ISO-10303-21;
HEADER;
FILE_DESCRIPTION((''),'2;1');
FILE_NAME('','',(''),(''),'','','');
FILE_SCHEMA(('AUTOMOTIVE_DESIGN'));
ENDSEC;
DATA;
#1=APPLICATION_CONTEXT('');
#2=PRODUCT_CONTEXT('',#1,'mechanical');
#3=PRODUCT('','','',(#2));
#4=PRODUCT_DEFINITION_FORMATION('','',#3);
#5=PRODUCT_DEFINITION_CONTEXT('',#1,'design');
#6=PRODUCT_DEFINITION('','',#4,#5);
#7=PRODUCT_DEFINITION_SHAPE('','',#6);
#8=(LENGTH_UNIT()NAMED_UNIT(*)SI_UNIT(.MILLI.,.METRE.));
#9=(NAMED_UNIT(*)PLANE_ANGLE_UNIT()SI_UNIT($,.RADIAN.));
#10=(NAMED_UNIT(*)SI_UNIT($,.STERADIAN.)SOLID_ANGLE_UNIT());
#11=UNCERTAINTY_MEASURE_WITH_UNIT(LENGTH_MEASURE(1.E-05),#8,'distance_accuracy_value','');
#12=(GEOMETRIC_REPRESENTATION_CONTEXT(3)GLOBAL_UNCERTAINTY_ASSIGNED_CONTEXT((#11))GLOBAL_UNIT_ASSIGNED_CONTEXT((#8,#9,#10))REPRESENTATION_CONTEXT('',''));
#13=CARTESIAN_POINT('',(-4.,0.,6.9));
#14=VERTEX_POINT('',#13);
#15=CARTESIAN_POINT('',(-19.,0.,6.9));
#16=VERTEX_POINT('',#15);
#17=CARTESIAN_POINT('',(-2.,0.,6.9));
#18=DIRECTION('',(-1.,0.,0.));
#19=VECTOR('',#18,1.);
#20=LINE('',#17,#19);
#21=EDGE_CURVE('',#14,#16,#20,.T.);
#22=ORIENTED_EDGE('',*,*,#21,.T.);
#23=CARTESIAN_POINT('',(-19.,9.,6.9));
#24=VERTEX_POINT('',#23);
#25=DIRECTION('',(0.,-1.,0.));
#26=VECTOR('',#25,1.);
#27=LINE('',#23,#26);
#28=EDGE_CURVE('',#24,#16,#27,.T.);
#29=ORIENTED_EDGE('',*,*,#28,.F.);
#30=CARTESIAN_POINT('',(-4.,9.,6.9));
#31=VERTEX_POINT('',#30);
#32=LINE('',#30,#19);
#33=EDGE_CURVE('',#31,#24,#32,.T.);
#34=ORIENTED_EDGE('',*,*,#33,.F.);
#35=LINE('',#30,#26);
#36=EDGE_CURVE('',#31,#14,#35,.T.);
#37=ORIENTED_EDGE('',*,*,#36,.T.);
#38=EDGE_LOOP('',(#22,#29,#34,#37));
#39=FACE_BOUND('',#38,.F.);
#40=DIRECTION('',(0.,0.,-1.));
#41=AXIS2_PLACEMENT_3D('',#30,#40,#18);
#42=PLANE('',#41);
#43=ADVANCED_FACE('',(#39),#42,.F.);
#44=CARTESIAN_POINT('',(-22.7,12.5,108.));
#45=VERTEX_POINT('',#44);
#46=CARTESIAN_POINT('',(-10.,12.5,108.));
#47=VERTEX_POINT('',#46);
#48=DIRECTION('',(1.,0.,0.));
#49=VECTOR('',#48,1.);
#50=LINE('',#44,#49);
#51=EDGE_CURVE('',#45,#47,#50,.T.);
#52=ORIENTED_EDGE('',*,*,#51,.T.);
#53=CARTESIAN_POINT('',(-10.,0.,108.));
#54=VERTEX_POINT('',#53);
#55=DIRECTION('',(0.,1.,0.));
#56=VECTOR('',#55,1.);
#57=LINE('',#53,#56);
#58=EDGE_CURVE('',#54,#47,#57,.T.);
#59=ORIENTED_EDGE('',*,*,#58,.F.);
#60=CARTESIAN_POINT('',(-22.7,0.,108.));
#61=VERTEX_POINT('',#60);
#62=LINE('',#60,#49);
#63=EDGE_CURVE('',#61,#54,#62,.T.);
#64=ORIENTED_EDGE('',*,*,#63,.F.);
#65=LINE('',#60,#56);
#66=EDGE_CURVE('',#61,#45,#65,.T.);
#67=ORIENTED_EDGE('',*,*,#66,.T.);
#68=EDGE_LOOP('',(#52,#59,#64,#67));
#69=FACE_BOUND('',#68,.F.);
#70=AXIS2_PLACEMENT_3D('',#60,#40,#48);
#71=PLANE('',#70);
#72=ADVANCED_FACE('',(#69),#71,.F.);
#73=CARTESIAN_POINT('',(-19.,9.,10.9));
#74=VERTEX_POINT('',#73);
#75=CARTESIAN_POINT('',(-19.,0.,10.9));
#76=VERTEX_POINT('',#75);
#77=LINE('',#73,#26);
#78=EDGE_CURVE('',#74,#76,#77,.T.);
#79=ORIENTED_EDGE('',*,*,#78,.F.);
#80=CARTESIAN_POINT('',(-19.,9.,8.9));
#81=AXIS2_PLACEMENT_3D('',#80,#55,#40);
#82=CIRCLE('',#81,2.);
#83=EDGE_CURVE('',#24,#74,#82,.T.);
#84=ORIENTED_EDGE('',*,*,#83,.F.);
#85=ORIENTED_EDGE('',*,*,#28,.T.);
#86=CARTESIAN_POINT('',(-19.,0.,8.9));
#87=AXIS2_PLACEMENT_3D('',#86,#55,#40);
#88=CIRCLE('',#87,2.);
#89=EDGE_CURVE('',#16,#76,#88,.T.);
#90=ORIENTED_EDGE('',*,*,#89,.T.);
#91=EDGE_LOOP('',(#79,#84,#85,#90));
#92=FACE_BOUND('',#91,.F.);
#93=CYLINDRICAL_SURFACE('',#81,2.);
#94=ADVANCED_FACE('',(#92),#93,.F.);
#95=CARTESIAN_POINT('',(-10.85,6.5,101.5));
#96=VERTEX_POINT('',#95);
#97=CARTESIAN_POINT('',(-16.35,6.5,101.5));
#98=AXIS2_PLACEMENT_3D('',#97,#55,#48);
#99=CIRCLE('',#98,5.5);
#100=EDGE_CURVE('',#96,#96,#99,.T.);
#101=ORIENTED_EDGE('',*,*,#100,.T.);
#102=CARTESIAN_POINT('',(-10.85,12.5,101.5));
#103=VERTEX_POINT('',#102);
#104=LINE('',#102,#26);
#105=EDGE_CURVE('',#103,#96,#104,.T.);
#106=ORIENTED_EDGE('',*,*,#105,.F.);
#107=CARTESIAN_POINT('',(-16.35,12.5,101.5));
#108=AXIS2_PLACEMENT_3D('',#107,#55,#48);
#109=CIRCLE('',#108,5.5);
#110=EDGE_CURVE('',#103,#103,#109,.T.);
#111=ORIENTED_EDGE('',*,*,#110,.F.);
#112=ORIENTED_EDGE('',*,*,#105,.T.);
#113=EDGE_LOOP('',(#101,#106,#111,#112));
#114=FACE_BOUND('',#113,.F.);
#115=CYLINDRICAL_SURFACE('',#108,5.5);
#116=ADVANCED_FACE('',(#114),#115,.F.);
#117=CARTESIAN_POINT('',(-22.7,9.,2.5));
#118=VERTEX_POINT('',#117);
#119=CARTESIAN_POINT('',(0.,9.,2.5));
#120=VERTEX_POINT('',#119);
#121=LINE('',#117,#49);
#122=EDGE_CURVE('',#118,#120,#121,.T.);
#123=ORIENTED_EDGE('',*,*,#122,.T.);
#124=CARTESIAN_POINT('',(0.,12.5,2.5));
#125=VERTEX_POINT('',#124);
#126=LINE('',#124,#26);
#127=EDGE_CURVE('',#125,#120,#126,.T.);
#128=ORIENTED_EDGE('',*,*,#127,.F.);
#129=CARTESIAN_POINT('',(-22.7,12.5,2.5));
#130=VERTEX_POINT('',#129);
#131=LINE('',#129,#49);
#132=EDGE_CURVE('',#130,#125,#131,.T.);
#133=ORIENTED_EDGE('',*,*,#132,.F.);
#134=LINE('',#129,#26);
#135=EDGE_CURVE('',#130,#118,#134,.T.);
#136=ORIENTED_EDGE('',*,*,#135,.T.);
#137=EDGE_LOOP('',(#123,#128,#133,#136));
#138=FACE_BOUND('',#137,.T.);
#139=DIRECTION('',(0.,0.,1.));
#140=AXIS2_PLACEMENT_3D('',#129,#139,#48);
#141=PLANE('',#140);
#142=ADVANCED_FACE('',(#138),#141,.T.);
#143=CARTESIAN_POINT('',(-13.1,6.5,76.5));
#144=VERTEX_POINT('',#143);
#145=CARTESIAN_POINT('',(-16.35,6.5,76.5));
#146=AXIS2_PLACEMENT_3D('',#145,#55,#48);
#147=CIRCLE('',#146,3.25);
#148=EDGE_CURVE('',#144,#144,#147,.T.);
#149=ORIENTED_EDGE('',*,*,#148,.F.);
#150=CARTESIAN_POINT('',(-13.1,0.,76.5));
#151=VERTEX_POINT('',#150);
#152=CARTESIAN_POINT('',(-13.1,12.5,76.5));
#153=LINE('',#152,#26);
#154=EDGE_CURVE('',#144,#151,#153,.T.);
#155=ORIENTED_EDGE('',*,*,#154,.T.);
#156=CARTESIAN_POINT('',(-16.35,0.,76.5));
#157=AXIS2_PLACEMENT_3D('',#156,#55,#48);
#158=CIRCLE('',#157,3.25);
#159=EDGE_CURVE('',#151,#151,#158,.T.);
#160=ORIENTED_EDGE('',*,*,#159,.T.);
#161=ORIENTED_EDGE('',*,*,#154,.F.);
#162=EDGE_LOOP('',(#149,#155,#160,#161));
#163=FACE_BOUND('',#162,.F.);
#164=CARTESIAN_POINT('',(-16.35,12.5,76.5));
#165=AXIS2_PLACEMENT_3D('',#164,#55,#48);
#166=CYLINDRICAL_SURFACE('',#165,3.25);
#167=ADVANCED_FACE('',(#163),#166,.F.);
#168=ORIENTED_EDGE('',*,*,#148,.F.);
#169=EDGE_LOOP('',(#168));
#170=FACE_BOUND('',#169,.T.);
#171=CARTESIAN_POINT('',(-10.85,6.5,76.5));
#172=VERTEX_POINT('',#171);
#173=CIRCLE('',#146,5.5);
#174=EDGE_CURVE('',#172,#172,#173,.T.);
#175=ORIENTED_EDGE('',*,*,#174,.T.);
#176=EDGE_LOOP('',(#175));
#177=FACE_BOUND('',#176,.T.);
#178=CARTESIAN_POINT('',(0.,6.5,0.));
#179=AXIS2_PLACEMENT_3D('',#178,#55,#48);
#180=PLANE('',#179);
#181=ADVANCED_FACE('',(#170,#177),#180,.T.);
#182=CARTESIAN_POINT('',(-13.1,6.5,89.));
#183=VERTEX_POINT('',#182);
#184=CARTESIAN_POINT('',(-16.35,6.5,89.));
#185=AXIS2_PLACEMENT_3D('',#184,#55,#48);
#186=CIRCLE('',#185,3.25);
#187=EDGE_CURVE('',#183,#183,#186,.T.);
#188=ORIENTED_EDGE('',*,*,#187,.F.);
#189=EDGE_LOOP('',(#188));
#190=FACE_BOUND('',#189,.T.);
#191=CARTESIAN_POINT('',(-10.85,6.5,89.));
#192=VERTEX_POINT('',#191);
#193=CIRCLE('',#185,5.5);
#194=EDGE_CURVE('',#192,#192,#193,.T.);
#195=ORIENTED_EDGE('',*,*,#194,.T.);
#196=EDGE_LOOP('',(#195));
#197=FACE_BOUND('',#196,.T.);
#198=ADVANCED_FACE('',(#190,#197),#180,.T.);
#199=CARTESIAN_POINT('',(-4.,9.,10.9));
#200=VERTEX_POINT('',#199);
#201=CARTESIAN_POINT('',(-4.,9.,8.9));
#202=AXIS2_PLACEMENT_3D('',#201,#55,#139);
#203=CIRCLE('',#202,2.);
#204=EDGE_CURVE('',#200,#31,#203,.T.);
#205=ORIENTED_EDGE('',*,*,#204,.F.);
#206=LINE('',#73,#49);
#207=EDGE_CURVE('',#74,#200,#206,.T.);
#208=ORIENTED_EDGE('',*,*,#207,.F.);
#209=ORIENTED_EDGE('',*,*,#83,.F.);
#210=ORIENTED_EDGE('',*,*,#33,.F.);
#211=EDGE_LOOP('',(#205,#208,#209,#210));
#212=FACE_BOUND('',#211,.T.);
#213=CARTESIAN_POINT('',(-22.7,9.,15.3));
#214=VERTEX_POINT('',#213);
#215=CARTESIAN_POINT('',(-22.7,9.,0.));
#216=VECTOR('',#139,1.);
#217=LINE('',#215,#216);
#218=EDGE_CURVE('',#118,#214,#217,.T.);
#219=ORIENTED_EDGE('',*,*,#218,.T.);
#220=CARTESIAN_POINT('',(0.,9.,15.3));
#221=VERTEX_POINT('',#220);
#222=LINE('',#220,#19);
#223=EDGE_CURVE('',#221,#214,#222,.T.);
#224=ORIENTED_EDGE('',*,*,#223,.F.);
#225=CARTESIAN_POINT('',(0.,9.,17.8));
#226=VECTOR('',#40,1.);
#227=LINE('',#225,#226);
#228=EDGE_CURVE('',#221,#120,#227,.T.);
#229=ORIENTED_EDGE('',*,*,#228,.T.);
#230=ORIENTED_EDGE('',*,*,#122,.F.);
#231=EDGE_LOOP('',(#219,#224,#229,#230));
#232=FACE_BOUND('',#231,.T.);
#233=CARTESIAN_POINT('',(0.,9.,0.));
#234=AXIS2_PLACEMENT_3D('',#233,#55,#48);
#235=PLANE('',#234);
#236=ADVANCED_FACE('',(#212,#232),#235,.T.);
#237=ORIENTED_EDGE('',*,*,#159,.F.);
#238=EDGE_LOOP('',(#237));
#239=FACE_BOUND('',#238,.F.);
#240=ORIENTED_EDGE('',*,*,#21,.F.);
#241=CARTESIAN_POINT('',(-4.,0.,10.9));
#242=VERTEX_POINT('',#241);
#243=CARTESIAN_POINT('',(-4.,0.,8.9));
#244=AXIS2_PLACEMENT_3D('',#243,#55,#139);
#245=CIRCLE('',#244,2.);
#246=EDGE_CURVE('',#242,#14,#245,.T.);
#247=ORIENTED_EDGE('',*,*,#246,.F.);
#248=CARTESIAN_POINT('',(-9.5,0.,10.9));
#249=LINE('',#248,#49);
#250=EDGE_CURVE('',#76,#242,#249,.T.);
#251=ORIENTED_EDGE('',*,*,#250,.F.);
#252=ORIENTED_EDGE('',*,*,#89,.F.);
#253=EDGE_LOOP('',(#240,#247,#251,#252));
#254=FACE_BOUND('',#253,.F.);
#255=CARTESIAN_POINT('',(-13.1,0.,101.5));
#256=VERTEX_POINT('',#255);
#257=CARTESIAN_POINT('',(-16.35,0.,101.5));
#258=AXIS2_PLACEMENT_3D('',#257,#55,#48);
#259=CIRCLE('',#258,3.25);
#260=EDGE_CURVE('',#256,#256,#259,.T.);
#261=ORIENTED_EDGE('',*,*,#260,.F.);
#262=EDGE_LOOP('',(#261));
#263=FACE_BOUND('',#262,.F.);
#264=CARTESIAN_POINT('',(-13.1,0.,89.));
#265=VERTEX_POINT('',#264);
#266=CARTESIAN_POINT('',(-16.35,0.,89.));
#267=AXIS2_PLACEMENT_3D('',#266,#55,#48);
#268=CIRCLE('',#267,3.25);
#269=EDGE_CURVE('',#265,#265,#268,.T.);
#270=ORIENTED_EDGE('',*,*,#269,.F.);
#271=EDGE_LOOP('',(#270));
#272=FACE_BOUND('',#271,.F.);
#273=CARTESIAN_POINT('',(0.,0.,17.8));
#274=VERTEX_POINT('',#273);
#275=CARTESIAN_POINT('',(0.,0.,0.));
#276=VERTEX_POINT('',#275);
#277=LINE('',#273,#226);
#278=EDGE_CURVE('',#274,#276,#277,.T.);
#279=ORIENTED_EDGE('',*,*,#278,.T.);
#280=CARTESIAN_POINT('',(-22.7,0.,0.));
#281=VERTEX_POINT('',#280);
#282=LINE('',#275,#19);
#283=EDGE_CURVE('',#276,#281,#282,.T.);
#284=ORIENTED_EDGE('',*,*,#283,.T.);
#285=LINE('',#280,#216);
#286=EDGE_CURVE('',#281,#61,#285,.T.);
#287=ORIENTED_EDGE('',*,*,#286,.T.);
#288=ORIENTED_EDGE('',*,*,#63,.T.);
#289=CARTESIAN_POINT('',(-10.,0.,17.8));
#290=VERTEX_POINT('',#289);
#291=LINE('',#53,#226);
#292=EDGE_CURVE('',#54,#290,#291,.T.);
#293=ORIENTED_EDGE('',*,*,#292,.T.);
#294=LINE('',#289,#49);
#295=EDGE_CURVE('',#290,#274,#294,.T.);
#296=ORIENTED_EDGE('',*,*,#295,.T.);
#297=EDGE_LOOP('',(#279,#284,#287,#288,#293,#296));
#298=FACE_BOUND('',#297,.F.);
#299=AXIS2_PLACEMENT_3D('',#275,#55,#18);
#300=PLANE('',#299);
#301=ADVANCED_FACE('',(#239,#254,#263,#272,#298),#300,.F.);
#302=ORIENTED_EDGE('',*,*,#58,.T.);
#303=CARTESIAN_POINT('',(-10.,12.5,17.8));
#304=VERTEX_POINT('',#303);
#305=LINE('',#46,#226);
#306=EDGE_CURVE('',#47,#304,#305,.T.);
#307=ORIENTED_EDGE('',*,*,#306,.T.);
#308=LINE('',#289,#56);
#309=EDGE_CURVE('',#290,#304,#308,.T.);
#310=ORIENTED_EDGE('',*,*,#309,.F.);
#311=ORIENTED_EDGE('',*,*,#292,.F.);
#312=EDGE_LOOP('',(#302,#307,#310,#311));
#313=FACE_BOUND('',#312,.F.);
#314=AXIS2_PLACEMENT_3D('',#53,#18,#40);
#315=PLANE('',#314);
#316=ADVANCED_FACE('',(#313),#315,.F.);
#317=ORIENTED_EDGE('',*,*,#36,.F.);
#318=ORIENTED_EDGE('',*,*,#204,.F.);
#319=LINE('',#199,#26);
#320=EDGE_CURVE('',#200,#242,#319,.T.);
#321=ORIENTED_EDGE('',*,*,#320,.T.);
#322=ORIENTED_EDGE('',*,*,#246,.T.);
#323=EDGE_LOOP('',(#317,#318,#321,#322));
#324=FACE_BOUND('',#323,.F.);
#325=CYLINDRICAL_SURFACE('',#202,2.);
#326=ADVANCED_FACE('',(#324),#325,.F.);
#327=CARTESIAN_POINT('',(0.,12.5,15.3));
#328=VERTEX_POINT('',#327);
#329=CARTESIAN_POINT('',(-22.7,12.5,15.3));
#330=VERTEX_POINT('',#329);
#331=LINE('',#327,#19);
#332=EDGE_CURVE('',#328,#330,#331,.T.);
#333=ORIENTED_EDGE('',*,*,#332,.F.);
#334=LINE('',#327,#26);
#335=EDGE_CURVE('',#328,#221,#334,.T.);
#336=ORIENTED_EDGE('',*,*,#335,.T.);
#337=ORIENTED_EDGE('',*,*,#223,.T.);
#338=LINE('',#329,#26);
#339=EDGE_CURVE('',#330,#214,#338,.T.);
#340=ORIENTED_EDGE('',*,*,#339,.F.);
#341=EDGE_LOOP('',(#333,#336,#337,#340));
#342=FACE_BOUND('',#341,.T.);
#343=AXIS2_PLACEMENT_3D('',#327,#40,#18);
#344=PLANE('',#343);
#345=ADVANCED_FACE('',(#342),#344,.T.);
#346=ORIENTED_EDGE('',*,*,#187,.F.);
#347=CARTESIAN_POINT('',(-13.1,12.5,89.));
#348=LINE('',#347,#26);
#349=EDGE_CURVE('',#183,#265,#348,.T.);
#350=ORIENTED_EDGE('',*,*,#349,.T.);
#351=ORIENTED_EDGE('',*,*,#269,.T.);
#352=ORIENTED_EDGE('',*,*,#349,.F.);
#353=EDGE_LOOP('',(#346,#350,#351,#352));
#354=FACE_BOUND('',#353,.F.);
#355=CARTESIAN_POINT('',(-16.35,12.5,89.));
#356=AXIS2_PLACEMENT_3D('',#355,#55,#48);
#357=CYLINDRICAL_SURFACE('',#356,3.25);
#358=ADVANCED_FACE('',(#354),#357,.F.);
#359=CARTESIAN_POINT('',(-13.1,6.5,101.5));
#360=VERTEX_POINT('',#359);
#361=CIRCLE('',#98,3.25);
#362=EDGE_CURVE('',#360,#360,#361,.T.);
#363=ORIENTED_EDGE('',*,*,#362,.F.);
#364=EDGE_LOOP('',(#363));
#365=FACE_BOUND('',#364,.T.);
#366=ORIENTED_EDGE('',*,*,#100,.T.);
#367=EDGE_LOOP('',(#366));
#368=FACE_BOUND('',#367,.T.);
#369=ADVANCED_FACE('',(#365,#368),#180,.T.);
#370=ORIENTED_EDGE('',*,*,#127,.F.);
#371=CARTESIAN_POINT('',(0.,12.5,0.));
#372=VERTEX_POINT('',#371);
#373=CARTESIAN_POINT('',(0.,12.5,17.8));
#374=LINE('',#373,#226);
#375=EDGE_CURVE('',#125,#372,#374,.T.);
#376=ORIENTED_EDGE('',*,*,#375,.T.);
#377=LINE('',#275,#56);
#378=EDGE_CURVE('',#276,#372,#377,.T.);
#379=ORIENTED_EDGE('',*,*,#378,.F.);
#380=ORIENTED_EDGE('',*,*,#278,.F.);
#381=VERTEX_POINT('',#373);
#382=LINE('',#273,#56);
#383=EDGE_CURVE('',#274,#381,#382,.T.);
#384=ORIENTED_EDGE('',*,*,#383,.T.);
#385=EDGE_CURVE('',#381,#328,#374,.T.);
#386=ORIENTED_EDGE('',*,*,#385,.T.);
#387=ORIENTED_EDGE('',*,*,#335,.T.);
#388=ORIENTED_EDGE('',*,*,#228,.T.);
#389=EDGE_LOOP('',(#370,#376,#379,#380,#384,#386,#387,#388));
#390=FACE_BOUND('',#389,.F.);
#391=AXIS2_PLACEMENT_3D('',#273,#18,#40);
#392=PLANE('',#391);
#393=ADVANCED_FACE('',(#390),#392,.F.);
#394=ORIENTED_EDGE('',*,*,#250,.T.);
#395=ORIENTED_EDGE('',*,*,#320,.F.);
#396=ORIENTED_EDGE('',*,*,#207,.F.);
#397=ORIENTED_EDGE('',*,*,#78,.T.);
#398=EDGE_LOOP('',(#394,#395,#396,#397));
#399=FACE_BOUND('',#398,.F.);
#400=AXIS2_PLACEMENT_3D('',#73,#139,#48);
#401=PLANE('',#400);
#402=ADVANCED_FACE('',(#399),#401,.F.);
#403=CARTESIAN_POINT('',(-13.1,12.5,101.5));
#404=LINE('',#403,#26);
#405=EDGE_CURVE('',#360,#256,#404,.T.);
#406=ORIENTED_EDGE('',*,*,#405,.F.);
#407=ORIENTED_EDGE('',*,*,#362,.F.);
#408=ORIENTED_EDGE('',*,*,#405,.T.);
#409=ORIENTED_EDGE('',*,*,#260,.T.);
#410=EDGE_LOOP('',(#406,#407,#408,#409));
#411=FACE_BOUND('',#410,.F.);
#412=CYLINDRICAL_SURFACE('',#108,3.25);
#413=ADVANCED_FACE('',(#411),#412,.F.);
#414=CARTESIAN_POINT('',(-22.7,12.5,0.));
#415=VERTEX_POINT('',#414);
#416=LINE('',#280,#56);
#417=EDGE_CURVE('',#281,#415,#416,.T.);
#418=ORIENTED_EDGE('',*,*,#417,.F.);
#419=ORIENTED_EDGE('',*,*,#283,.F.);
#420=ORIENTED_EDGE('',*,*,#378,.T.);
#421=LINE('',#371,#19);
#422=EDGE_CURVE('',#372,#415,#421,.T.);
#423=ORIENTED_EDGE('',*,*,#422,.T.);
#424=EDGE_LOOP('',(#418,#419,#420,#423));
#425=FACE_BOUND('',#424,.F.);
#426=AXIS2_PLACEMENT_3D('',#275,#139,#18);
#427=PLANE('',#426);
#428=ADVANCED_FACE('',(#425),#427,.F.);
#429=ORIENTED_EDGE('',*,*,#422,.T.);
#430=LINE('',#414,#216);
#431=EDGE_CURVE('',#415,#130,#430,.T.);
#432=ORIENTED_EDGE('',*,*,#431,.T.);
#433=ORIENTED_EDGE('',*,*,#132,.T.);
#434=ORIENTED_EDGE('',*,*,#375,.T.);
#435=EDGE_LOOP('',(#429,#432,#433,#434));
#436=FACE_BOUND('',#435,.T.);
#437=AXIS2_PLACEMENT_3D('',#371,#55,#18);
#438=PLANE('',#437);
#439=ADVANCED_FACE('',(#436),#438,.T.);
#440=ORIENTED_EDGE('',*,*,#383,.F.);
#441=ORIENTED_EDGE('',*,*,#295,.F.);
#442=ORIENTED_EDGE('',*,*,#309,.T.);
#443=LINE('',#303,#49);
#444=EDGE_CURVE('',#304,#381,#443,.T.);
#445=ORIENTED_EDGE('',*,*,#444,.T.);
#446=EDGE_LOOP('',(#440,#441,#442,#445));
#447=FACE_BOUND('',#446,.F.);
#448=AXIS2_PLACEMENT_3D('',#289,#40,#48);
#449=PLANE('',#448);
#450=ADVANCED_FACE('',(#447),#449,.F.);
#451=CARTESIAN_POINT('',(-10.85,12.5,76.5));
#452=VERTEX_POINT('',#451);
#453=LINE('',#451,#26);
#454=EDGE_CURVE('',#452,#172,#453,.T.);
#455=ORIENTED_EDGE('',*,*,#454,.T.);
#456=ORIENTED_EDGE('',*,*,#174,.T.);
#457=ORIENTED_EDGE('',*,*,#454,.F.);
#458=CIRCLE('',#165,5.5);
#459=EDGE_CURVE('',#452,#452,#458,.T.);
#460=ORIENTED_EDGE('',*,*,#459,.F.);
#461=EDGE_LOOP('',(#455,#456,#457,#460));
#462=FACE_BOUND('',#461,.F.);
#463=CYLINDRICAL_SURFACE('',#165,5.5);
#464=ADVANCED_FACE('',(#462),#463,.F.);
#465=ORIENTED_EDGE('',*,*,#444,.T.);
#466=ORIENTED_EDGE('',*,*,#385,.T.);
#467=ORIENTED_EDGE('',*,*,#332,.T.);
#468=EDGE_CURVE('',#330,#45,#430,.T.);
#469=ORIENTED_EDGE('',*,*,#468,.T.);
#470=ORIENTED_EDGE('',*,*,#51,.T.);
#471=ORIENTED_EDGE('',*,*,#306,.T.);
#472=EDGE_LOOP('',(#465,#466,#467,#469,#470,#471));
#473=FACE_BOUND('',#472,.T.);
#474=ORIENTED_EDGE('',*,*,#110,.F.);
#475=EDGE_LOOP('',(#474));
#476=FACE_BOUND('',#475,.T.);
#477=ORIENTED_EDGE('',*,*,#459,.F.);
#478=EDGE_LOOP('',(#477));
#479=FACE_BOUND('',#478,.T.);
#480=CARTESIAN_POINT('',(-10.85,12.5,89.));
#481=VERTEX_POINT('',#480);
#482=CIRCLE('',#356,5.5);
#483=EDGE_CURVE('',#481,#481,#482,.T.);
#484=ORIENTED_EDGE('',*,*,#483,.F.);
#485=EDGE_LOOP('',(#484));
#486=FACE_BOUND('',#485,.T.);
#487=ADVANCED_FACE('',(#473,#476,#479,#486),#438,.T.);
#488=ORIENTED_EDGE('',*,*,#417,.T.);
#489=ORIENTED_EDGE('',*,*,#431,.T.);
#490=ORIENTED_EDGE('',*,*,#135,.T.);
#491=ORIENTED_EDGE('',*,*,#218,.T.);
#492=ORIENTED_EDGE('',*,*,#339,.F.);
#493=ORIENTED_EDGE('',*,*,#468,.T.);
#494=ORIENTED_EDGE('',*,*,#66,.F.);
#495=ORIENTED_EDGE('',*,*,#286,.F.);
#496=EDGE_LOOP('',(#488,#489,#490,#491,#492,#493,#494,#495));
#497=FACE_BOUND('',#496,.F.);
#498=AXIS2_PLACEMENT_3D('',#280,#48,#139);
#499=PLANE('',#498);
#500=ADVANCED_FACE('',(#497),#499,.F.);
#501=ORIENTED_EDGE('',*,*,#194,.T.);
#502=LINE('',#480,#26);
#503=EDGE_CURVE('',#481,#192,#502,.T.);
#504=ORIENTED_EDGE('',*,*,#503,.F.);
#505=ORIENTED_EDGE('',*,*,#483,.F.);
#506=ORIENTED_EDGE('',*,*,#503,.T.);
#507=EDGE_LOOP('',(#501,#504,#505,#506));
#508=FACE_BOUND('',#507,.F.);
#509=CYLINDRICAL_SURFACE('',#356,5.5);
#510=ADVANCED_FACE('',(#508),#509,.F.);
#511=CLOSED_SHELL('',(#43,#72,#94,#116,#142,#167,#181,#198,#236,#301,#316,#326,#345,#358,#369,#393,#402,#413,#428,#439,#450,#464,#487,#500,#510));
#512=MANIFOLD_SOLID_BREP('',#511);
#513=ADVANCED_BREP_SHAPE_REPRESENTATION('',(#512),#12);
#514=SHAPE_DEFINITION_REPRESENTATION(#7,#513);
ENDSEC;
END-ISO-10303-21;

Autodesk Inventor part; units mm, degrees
ref_plane "YZ Plane" through (0, 0, 0) normal (1, 0, 0) x (0, 1, 0)
ref_plane "XZ Plane" through (0, 0, 0) normal (0, 1, 0) x (-1, 0, 0)
ref_plane "XY Plane" through (0, 0, 0) normal (0, 0, 1) x (1, 0, 0)
sketch "Sketch1" plane through (0, 0, 0) normal (0, 1, 0) x (-1, 0, 0)
  line L0 (0, 0) -> (22.7, 0)
  line L1 (22.7, 0) -> (22.7, 108)
  line L2 (22.7, 108) -> (10, 108)
  line L3 (10, 108) -> (10, 17.8)
  line L4 (10, 17.8) -> (0, 17.8)
  line L5 (0, 17.8) -> (0, 0)
  dimension "d0" = 22.7
  dimension "d1" = 108
  dimension "d2" = 12.7
  dimension "d3" = 90.2
extrude "Extrusion1" add sketch "Sketch1" along normal blind 12.5
sketch "Sketch2" plane through (0, 12.5, 0) normal (0, 1, 0) x (1, 0, 0)
  line L0 (0, -17.8) -> (0, 0) projected
  line L1 (-22.7, 0) -> (-22.7, -108) projected
  line L2 (-22.7, 0) -> (-22.7, -108) projected
  line L3 (0, -15.3) -> (-22.7, -15.3)
  line L4 (-22.7, -15.3) -> (-22.7, -2.5)
  line L5 (-22.7, -2.5) -> (0, -2.5)
  line L6 (0, -2.5) -> (0, -15.3)
  dimension "d6" = 12.8
extrude "Extrusion2" cut sketch "Sketch2" against normal blind 3.5
sketch "Sketch3" plane through (0, 9, 0) normal (0, 1, 0) x (1, 0, 0)
  line L0 (-30, -8.9) -> (0, -8.9) construction
  line L1 (0, -17.8) -> (0, 0) projected
  arc A0 (-4, -10.9) -> (-4, -6.9) centre (-4, -8.9) ccw
  arc A1 (-19, -6.9) -> (-19, -10.9) centre (-19, -8.9) ccw
  line L2 (-19, -10.9) -> (-4, -10.9)
  line L3 (-4, -6.9) -> (-19, -6.9)
  dimension "d9" = 4
  dimension "d10" = 4
  dimension "d26" = 15
  dimension "d27" = 4
extrude "Extrusion3" cut sketch "Sketch3" against normal through all
sketch "Sketch4" plane through (0, 12.5, 0) normal (0, 1, 0) x (1, 0, 0)
  line L0 (-22.7, -108) -> (-10, -108) projected
  line L1 (-16.35, -108) -> (-16.35, -15.5103) construction
  circle A0 centre (-16.35, -101.5) radius 5.5
  circle A1 centre (-16.35, -89) radius 5.5
  circle A2 centre (-16.35, -76.5) radius 5.5
  circle A3 centre (-16.35, -76.5) radius 3.25
  circle A4 centre (-16.35, -89) radius 3.25
  circle A5 centre (-16.35, -101.5) radius 3.25
  point P0 (0, 0)
  dimension "d13" = 11
  dimension "d14" = 11
  dimension "d15" = 11
  dimension "d16" = 12.5
  dimension "d17" = 12.5
  dimension "d18" = 6.5
  dimension "d19" = 6.5
  dimension "d20" = 6.5
  dimension "d25" = 6.5
extrude "Extrusion4" cut sketch "Sketch4" against normal through all contours A3 | A4 | A5
extrude "Extrusion5" cut sketch "Sketch4" against normal blind 6
properties part number "HeadbarHolder" material "Aluminum 6061"
